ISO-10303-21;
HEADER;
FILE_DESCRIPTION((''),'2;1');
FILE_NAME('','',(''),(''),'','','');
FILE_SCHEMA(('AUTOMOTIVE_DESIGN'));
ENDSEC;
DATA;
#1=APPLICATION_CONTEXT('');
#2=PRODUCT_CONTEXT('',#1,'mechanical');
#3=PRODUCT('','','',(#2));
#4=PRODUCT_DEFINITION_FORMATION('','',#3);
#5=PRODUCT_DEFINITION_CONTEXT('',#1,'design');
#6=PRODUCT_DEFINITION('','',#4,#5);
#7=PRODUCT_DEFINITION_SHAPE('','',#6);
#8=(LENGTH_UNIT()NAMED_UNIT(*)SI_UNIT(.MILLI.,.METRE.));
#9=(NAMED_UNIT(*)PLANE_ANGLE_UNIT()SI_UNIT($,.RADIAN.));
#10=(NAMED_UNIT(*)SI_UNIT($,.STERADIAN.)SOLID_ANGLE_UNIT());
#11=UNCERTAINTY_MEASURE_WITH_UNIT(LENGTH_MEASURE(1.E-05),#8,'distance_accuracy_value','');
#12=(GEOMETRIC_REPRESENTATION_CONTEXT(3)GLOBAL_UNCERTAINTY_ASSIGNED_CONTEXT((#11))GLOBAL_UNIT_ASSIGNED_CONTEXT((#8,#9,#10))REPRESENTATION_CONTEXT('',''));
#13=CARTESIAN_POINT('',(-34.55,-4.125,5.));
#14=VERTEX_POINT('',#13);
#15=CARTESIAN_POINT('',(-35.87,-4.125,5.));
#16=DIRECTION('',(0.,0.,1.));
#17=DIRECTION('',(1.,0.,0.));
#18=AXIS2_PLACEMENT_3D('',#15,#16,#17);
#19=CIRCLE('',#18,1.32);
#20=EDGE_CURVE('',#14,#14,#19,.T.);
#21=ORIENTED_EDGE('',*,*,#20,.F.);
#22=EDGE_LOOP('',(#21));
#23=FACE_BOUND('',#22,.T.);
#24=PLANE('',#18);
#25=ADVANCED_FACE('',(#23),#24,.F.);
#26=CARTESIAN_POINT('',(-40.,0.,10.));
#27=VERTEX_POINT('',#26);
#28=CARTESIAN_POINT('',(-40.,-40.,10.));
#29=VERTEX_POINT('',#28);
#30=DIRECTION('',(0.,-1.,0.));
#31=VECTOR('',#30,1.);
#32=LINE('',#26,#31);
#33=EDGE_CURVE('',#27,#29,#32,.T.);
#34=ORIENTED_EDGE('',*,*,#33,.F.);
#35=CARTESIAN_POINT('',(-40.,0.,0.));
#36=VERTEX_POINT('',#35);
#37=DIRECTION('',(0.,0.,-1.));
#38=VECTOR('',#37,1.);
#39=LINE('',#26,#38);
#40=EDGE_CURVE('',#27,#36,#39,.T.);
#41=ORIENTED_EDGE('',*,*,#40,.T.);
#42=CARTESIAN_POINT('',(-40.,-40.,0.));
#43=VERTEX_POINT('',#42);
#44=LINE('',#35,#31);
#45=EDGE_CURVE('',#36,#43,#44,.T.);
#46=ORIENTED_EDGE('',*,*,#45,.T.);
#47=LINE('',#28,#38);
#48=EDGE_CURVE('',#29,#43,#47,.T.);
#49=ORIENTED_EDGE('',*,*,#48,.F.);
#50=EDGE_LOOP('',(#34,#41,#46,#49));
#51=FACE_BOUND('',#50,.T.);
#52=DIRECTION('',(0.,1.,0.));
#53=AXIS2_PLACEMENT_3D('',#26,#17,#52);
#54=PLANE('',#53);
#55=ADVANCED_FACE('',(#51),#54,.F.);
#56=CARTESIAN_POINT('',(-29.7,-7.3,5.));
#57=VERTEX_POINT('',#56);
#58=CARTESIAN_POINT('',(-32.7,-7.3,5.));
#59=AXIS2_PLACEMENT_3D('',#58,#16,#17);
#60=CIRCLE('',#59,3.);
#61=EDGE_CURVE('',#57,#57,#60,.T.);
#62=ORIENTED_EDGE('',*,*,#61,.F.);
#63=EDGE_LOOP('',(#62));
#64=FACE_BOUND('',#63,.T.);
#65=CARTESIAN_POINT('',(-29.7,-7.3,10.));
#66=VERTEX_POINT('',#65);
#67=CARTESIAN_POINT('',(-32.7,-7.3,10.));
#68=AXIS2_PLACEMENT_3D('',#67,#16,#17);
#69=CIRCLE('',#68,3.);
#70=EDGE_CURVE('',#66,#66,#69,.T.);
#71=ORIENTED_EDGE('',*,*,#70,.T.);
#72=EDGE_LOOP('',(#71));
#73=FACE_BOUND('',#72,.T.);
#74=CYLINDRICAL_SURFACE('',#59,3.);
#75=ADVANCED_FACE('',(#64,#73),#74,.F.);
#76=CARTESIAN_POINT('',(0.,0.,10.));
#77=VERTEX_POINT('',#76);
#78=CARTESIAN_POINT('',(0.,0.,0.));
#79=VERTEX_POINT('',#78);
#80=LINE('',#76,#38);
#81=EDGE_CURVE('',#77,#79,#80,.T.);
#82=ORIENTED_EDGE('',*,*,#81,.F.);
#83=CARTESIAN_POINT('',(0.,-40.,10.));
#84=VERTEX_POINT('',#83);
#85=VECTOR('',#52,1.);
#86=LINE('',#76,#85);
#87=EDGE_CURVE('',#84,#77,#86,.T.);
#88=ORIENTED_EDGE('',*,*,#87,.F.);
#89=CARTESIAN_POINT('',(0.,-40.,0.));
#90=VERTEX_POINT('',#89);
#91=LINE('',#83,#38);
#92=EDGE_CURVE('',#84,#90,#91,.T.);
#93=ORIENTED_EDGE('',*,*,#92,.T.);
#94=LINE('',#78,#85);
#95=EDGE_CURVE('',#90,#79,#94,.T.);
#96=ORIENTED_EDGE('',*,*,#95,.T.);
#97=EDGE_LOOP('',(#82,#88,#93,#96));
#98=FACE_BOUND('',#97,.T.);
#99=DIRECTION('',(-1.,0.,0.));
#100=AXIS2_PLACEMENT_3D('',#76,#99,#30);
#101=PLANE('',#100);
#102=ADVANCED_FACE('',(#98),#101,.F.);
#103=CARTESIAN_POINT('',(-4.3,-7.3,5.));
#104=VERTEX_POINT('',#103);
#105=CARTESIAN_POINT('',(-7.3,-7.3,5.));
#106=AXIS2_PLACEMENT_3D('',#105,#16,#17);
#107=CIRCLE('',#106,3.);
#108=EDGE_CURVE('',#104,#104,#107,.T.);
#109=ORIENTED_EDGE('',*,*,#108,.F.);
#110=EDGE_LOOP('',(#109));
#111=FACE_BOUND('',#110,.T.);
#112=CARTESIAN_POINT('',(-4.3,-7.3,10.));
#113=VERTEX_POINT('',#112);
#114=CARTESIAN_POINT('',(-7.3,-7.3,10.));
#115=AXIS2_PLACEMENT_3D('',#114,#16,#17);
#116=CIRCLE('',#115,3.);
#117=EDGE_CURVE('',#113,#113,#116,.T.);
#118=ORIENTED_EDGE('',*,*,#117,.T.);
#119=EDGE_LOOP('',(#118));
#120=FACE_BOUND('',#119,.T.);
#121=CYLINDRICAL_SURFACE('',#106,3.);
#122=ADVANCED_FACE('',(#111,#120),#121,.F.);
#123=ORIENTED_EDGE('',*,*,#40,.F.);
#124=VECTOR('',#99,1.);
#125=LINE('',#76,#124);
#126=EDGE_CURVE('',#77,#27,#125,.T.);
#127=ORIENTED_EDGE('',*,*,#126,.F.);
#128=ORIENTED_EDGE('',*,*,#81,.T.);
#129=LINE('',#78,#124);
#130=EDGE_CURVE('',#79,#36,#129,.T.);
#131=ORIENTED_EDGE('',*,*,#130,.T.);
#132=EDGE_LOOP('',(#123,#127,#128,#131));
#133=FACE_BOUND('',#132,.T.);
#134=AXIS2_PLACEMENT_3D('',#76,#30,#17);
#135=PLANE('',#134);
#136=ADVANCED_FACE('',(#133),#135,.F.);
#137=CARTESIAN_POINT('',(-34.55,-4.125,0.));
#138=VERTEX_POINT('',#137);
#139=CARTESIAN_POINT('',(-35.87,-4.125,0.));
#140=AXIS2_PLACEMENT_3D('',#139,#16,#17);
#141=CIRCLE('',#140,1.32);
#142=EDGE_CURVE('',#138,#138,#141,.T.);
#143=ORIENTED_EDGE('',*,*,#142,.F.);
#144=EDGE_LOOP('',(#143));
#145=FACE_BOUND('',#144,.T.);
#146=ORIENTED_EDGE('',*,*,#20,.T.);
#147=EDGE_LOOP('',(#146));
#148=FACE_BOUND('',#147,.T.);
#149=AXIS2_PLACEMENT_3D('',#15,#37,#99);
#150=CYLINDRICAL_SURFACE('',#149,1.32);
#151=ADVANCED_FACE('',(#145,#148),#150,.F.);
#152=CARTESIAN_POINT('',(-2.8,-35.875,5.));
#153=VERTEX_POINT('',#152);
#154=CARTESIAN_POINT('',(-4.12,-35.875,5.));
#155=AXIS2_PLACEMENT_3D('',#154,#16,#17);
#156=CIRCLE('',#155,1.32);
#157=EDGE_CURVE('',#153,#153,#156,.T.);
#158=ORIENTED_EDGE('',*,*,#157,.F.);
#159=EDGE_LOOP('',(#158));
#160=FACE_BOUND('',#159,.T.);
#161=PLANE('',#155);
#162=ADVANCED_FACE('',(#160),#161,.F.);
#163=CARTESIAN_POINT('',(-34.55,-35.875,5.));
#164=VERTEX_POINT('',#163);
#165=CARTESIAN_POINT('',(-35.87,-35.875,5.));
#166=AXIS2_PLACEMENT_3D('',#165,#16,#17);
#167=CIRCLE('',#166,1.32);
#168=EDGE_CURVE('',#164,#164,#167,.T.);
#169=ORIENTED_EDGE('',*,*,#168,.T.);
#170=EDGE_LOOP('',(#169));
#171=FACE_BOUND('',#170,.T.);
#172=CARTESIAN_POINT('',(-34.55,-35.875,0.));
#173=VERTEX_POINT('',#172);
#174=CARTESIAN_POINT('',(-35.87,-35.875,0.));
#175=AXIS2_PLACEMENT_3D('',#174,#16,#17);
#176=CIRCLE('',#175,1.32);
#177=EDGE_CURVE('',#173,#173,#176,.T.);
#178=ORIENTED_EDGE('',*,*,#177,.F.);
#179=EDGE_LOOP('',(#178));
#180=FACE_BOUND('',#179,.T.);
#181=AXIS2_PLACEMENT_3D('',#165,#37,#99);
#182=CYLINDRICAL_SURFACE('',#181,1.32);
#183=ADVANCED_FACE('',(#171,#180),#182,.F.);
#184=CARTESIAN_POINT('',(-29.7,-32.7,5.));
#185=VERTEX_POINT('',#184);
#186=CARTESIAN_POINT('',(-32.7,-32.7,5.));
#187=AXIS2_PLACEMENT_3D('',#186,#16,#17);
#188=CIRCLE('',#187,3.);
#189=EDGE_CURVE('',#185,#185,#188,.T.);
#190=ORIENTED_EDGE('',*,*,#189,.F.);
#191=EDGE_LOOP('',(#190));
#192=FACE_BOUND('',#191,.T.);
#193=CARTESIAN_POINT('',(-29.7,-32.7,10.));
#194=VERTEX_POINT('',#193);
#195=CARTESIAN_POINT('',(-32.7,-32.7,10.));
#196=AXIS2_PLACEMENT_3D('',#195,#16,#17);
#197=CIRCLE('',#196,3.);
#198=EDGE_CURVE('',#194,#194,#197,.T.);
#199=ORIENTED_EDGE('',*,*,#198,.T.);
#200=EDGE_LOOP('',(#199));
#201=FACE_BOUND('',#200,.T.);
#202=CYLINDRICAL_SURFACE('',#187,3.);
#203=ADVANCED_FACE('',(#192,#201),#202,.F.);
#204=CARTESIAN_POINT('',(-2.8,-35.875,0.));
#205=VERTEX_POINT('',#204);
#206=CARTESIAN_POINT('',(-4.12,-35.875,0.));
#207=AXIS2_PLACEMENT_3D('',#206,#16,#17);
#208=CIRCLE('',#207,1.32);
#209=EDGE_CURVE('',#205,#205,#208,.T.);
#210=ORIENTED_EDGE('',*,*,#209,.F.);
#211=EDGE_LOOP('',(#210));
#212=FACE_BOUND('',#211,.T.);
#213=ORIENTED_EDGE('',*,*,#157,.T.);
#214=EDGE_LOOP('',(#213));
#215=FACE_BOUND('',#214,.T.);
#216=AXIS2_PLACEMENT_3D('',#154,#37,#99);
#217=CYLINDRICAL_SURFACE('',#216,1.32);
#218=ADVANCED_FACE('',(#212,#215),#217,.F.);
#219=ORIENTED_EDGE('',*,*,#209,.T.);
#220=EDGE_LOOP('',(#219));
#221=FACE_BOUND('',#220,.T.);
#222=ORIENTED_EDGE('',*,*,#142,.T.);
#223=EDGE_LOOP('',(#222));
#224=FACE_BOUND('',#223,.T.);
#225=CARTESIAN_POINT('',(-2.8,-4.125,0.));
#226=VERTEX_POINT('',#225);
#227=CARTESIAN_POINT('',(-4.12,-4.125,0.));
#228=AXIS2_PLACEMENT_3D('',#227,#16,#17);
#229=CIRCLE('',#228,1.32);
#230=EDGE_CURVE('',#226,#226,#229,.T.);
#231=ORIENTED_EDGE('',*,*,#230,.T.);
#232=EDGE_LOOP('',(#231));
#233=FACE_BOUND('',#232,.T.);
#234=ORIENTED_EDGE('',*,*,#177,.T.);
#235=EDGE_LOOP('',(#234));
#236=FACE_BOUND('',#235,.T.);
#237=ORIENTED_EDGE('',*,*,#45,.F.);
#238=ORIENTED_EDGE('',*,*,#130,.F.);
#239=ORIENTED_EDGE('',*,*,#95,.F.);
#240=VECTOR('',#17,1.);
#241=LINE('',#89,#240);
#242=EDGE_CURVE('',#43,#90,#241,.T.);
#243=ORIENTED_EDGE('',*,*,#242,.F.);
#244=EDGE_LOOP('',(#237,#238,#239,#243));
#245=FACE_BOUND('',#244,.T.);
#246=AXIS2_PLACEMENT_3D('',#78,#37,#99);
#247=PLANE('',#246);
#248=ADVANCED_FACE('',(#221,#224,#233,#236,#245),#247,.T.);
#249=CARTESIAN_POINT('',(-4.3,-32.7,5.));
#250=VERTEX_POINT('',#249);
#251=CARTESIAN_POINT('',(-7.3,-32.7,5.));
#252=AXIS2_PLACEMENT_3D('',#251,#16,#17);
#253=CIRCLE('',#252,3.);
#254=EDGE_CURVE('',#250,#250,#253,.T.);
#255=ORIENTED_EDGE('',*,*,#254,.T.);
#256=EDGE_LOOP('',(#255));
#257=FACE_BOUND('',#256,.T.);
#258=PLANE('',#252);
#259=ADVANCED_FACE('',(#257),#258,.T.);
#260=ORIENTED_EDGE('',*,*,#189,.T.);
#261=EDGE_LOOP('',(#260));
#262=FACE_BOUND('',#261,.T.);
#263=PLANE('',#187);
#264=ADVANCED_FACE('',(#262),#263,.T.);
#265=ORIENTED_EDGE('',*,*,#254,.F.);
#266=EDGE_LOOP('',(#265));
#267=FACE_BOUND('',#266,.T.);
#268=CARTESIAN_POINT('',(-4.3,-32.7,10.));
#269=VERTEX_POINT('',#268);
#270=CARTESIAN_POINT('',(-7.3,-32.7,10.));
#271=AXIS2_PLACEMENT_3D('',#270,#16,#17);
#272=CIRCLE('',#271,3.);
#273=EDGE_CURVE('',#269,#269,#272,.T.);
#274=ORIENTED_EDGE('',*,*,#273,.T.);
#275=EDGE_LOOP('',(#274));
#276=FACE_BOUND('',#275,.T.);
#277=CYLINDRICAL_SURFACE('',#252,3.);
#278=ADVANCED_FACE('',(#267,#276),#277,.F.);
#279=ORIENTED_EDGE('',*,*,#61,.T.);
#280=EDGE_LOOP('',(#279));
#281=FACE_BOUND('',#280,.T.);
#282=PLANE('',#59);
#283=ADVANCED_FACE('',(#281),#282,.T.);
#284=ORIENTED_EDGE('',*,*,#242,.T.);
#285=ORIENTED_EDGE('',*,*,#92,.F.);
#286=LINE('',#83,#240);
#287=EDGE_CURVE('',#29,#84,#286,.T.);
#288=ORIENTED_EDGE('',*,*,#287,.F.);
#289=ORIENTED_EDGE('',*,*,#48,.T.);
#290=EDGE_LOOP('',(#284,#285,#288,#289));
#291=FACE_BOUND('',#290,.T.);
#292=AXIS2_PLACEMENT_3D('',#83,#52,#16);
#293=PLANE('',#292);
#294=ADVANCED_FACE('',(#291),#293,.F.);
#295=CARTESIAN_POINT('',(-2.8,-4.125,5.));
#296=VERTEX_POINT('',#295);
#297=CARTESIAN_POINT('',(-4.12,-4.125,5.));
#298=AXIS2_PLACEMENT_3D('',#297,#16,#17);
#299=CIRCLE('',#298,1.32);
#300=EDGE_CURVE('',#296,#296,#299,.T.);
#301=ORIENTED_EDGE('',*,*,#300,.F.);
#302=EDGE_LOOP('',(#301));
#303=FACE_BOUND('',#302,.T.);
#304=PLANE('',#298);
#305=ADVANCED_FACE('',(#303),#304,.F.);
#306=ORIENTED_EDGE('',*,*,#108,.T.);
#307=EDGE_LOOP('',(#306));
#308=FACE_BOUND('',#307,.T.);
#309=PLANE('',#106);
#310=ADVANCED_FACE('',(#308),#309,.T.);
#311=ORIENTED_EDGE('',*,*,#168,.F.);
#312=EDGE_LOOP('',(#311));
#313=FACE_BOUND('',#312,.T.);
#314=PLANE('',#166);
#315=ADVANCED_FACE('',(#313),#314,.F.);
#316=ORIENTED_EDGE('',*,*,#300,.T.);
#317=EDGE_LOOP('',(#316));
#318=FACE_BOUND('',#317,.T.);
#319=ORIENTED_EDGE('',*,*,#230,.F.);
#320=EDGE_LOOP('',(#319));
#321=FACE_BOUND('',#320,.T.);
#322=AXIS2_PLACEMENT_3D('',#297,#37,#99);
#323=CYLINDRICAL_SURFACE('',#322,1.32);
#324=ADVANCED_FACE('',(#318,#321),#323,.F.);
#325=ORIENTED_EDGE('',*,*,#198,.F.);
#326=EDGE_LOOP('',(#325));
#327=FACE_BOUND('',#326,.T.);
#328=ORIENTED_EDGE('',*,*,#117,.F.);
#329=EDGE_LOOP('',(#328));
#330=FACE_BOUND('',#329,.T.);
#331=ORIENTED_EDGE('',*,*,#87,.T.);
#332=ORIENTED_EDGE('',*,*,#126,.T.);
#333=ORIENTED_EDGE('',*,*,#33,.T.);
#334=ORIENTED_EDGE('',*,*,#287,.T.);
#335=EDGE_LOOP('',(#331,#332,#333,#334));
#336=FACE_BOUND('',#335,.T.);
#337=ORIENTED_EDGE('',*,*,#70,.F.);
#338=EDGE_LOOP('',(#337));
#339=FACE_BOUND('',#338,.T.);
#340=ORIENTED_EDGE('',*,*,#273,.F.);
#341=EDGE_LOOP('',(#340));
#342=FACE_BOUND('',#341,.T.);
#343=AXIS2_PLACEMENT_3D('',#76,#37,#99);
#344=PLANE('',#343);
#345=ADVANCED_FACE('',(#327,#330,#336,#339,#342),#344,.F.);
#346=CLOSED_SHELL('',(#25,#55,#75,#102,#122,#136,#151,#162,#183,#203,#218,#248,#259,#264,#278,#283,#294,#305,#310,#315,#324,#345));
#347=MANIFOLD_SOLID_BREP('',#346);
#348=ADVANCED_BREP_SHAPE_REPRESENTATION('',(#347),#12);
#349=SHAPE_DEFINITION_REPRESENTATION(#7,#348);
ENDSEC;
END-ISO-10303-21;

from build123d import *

# Parameters (mm, degrees)
SKETCH1_W           = 40
SKETCH1_H           = 40
BOSS_EXTRUDE1_DEPTH = 10
SKETCH2_R           = 1.32
CUT_EXTRUDE2_DEPTH  = 5
SKETCH5_R           = 3
CUT_EXTRUDE3_DEPTH  = 5


with BuildPart() as part:
    # Sketch1 → Boss-Extrude1 (new body)
    with BuildSketch(Plane.XY):
        with Locations((-20, -20)):
            Rectangle(SKETCH1_W, SKETCH1_H)
    extrude(amount=BOSS_EXTRUDE1_DEPTH)

    # Sketch2 → Cut-Extrude2 (cut)
    with BuildSketch(Plane.XY):
        with Locations((-35.87, -35.875)):
            Circle(SKETCH2_R)
        with Locations((-4.12, -35.875)):
            Circle(SKETCH2_R)
        with Locations((-4.12, -4.125)):
            Circle(SKETCH2_R)
        with Locations((-35.87, -4.125)):
            Circle(SKETCH2_R)
    extrude(amount=CUT_EXTRUDE2_DEPTH, mode=Mode.SUBTRACT)

    # Sketch5 → Cut-Extrude3 (cut)
    with BuildSketch(Plane.XY.offset(10)):
        with Locations((-32.7, -7.3)):
            Circle(SKETCH5_R)
        with Locations((-7.3, -7.3)):
            Circle(SKETCH5_R)
        with Locations((-7.3, -32.7)):
            Circle(SKETCH5_R)
        with Locations((-32.7, -32.7)):
            Circle(SKETCH5_R)
    extrude(amount=-CUT_EXTRUDE3_DEPTH, mode=Mode.SUBTRACT)


solid = part.part
